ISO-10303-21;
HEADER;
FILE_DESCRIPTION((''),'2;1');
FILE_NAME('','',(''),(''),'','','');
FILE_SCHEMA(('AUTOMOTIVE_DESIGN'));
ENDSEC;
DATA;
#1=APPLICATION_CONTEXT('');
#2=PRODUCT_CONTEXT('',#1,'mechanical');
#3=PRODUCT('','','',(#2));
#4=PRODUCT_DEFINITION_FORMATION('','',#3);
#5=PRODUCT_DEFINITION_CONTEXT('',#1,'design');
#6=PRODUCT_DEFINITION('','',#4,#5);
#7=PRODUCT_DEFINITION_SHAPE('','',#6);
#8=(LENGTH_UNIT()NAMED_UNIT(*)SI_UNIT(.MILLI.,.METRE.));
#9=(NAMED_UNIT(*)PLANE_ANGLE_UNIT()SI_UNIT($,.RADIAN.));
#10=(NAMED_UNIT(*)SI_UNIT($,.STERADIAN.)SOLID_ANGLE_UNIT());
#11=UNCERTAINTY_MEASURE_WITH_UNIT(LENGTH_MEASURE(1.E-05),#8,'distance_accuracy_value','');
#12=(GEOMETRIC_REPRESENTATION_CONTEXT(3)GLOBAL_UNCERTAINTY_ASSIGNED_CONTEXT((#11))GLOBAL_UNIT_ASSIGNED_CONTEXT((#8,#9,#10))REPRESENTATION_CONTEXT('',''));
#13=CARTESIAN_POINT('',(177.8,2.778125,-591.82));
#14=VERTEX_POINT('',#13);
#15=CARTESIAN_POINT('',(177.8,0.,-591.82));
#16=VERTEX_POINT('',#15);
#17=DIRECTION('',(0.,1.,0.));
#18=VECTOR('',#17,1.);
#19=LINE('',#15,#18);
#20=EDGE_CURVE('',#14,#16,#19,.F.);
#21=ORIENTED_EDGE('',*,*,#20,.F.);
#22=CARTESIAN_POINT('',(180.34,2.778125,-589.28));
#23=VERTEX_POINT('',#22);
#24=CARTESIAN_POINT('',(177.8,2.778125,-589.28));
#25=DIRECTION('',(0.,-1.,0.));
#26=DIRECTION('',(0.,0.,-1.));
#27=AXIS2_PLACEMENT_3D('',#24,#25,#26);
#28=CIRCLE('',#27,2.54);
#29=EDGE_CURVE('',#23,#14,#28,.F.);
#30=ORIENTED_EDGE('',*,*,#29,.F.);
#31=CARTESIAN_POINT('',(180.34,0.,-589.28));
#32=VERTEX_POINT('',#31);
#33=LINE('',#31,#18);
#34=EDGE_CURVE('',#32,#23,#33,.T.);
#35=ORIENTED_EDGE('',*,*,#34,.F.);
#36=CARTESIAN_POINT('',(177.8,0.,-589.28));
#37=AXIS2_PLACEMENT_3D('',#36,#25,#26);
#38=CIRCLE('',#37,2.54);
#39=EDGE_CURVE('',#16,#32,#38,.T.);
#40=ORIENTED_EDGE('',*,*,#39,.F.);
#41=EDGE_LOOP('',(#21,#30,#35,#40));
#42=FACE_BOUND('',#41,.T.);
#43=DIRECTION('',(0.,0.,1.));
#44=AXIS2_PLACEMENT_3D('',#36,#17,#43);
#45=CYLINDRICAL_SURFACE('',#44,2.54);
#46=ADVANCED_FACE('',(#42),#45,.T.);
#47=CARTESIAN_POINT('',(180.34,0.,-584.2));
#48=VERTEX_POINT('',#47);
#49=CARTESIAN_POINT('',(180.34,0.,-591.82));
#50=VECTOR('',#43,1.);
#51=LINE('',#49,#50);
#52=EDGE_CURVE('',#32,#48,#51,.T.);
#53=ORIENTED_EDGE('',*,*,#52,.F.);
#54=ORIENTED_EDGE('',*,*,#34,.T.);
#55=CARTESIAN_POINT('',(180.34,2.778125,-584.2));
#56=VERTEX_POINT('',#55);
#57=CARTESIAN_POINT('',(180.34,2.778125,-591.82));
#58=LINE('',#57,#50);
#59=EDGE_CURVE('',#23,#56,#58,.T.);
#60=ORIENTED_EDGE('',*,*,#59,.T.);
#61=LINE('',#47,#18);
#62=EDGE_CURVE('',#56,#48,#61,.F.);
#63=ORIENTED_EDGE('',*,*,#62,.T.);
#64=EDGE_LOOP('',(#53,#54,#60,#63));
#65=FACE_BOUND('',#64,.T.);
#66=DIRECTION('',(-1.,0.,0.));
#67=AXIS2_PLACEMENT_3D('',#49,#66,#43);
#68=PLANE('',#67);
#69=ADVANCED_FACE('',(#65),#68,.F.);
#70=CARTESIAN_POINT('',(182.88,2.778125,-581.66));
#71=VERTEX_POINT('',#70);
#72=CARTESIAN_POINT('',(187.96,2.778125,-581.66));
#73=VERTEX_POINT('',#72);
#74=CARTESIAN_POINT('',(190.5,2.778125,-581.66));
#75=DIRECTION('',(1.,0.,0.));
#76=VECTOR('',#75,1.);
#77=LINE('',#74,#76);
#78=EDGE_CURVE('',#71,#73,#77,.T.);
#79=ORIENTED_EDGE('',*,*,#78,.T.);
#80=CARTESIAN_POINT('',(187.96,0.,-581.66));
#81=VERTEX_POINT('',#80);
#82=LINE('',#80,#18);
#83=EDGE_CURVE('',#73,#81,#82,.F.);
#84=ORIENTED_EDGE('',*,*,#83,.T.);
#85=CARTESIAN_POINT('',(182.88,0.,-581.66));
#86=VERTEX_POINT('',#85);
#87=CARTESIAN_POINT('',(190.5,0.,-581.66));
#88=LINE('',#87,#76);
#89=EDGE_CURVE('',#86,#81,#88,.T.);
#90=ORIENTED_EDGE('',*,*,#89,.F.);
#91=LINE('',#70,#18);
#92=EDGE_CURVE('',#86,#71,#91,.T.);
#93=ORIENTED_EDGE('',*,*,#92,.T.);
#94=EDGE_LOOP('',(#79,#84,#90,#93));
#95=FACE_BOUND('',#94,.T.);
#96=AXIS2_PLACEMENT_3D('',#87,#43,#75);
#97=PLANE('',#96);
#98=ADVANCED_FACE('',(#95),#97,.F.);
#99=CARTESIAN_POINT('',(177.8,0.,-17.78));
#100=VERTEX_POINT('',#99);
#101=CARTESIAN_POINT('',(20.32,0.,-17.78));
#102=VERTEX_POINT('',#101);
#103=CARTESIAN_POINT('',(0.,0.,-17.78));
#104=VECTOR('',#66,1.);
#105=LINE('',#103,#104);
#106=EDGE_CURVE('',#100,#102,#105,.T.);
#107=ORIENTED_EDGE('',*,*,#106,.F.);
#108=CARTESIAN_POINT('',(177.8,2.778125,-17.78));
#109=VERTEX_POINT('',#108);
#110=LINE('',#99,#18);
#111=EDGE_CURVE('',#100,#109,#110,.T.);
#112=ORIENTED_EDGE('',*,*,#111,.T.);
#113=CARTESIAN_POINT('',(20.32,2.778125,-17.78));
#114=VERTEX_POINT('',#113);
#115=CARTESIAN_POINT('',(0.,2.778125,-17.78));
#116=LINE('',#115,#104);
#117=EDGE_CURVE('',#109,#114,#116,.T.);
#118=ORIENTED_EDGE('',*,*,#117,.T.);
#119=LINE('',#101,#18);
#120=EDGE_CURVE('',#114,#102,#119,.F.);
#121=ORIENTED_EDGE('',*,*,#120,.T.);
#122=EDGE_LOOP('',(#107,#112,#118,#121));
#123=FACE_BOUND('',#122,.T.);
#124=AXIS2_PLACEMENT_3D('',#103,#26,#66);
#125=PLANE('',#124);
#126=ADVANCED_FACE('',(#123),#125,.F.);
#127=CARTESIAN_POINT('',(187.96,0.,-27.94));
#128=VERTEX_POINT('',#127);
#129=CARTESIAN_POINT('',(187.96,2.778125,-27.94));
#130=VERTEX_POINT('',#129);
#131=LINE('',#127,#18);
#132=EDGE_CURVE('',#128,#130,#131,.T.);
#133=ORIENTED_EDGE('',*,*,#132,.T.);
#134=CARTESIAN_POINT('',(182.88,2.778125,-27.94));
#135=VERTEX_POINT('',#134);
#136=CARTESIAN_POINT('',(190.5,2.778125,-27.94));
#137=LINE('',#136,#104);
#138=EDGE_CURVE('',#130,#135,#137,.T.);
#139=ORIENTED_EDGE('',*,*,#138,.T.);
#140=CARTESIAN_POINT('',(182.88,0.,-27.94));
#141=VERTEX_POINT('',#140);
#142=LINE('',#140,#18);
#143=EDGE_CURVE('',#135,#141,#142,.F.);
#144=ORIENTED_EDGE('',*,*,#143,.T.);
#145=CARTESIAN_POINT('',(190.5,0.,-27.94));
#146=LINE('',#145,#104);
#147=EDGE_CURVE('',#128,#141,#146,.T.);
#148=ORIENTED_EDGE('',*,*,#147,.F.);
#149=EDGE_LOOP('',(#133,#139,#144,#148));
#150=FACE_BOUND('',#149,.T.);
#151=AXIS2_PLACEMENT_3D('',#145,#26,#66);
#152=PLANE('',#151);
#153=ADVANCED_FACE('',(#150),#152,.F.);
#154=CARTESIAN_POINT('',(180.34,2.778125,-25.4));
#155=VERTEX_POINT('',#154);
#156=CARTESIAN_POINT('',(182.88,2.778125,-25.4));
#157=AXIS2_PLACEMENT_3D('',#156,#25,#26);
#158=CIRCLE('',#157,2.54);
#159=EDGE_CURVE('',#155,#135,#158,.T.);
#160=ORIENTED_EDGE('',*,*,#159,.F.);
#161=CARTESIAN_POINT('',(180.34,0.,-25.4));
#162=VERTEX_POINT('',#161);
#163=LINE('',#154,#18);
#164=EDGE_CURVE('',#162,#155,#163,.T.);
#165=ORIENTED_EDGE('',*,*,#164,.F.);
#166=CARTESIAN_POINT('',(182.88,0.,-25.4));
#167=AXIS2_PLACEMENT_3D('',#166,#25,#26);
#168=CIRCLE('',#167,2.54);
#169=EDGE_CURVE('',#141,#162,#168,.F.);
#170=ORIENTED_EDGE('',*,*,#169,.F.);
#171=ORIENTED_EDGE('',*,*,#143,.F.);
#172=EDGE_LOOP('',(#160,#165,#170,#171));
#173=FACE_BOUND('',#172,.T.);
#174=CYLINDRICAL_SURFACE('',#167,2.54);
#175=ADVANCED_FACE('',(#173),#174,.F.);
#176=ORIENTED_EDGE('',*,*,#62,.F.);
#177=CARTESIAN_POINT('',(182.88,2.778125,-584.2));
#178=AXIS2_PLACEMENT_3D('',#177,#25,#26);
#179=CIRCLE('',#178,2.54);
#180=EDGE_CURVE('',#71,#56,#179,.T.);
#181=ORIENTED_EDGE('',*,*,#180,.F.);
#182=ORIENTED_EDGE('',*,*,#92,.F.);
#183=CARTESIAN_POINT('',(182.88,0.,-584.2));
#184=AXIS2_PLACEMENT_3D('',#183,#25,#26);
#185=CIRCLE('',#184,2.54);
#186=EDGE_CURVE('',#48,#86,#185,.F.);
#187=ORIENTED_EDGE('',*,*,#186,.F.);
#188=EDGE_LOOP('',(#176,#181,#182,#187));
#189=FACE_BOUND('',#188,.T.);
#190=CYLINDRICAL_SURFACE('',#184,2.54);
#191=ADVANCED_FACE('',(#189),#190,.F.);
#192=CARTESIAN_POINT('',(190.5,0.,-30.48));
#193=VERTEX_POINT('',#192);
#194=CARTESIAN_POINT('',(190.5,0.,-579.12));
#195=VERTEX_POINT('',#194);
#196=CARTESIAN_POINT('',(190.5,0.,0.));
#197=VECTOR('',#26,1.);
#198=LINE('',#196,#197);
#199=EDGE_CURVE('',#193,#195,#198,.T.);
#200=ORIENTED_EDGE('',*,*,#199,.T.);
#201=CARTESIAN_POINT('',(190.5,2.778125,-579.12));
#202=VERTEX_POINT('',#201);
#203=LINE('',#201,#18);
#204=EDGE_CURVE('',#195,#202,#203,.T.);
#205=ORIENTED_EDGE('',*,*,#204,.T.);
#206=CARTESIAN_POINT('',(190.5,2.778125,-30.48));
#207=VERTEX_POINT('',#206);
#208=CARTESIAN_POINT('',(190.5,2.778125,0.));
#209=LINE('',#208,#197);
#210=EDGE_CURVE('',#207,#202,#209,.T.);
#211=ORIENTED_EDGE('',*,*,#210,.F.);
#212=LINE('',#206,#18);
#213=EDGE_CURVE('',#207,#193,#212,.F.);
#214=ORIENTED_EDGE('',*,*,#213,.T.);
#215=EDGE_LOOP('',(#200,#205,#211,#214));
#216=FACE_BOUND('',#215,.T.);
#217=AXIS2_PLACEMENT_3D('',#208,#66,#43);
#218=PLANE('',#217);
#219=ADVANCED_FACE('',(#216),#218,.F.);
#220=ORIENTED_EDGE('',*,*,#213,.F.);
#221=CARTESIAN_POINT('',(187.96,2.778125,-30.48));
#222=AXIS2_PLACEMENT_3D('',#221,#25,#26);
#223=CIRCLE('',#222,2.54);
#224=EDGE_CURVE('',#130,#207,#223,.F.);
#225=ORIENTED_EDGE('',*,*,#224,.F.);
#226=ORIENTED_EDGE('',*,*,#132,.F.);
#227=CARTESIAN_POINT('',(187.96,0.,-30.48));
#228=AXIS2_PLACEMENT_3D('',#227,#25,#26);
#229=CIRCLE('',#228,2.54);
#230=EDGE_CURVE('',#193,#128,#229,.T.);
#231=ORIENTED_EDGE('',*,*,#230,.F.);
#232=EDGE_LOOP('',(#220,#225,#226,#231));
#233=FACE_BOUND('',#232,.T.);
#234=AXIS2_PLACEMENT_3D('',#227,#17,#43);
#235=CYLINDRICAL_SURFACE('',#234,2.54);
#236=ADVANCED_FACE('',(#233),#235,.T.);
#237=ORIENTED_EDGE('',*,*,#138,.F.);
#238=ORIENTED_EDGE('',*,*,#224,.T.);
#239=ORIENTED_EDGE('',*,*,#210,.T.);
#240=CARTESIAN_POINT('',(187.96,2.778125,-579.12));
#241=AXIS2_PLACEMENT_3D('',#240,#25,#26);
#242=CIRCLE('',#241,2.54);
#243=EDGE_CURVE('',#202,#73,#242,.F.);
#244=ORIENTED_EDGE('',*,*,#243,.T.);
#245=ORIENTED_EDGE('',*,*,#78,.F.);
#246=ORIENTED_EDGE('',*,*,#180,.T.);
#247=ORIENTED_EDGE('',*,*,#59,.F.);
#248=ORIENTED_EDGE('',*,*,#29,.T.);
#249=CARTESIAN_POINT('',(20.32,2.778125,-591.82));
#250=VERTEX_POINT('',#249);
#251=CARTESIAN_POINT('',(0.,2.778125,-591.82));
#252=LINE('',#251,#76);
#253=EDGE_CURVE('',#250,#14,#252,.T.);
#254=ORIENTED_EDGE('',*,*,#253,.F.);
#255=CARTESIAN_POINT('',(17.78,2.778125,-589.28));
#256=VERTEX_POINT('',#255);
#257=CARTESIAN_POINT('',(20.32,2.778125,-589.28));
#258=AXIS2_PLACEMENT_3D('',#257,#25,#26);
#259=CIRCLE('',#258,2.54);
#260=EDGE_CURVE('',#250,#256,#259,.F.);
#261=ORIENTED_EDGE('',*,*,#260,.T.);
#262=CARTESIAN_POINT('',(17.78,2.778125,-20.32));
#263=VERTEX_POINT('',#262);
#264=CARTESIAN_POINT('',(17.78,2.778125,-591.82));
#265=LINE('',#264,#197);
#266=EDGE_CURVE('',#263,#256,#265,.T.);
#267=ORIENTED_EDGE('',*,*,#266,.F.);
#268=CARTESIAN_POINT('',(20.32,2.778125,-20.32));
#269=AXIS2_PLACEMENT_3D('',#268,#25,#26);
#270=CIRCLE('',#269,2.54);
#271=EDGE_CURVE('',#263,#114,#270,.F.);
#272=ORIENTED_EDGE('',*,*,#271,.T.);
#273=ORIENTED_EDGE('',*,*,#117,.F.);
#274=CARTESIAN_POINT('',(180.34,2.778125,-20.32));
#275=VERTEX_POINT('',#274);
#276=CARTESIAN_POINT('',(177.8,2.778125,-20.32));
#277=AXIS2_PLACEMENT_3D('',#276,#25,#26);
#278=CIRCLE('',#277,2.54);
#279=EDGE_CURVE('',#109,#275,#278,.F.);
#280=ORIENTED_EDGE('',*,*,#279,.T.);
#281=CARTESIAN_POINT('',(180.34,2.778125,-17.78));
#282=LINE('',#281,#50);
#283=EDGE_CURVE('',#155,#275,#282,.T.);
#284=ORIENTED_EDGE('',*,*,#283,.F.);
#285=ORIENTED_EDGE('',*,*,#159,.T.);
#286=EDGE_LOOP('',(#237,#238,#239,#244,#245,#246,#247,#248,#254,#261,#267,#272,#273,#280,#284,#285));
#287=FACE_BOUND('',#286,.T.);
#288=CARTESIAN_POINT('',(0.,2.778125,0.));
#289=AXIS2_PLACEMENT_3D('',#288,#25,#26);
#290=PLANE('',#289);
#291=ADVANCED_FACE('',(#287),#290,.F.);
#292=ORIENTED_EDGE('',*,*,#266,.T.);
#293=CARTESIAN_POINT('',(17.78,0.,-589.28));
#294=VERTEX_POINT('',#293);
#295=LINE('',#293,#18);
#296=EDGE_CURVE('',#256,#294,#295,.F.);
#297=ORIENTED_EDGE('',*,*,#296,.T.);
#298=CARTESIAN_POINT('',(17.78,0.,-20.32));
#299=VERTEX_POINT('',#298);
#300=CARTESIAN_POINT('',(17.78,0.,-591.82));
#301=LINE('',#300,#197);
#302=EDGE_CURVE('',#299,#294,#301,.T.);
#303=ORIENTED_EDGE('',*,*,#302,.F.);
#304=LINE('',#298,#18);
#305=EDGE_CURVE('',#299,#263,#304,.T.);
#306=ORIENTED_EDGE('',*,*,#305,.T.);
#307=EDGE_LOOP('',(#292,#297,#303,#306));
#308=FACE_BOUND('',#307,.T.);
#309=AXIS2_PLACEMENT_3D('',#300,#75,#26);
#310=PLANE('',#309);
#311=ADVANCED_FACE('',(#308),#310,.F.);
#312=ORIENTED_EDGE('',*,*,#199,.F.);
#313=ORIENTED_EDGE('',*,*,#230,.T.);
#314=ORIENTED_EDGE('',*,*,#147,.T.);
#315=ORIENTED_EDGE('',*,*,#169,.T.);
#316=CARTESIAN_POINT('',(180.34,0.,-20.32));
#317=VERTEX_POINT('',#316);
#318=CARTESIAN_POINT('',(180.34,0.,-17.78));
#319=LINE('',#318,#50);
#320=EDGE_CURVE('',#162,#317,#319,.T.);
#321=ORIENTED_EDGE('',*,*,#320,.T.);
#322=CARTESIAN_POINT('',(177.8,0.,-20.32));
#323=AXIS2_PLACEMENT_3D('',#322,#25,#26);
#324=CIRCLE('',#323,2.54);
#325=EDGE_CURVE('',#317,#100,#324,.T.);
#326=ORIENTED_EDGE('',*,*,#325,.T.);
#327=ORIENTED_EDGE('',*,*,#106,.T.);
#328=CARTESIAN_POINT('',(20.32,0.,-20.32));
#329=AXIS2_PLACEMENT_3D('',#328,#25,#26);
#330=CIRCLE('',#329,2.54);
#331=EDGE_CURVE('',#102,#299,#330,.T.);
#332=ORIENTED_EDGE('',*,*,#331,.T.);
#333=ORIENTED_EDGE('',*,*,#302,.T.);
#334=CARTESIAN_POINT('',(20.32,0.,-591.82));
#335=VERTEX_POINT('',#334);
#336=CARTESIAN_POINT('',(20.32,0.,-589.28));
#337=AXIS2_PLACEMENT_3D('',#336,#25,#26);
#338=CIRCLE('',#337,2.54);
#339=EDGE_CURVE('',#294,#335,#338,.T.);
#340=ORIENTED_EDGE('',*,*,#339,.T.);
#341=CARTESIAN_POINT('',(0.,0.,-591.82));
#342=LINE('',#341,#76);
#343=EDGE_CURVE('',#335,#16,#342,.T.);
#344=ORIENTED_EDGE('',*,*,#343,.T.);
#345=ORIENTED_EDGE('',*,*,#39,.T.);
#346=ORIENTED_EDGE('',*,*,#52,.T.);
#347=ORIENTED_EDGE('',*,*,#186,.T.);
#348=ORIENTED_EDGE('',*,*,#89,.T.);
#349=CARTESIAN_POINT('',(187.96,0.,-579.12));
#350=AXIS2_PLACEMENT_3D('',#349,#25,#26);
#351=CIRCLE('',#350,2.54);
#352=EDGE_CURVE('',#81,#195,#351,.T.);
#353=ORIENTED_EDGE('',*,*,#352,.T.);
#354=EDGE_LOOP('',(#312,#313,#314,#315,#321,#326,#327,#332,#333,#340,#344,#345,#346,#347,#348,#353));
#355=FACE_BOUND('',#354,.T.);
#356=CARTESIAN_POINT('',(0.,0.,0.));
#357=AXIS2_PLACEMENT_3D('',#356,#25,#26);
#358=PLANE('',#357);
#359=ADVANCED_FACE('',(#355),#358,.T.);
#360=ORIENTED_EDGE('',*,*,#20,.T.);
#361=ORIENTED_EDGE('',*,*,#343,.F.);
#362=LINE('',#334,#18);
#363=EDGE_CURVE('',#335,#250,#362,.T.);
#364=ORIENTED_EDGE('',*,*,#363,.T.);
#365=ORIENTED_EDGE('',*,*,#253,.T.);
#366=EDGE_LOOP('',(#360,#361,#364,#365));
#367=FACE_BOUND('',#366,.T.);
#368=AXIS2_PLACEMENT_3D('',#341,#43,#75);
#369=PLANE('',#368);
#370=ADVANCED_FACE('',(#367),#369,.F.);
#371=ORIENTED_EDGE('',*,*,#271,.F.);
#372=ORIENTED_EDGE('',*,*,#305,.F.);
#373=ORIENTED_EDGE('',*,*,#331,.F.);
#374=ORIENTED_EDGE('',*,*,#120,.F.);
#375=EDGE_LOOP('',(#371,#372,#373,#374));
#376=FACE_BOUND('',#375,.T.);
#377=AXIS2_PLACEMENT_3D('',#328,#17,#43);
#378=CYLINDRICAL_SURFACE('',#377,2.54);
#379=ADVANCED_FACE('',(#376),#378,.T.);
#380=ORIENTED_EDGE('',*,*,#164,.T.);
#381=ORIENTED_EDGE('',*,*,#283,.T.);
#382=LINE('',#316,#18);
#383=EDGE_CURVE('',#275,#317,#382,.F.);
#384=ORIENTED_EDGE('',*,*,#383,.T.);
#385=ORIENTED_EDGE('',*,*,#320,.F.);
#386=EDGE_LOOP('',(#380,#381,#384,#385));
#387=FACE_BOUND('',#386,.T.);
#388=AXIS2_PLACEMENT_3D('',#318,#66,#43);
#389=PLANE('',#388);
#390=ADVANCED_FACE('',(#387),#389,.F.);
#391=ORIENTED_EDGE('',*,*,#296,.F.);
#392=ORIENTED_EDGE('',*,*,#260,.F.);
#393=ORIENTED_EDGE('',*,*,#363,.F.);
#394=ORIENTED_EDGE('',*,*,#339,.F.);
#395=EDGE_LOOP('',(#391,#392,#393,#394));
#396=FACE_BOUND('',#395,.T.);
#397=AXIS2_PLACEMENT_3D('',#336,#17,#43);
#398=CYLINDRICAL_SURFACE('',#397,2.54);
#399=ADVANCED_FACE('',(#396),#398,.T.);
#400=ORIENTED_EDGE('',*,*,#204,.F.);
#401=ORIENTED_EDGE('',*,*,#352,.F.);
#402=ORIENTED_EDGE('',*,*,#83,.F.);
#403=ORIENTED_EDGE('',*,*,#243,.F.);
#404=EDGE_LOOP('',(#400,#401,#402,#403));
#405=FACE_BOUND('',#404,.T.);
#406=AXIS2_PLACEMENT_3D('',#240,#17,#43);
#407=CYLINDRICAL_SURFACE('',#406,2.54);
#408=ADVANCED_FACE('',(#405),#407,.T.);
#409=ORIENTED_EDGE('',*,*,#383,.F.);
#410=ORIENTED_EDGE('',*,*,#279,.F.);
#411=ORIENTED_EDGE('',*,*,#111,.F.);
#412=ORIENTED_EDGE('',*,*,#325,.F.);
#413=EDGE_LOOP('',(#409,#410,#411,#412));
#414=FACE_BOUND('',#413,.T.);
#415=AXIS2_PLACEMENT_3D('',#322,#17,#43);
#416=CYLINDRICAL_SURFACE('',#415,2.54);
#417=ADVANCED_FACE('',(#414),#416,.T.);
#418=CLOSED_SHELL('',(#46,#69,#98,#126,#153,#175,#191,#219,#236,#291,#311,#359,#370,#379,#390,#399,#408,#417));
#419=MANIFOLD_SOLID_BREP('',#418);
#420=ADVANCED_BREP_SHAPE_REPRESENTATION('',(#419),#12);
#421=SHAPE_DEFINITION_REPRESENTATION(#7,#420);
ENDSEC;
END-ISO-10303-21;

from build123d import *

# Parameters (mm, degrees)
SKETCH1_W           = 190.5
SKETCH1_H           = 609.6
BOSS_EXTRUDE1_DEPTH = 2.778125
SKETCH2_W           = 190.5
SKETCH2_H           = 17.78
CUT_EXTRUDE1_DEPTH  = 3.778125
SKETCH3_W           = 17.78
SKETCH3_H           = 574.04
CUT_EXTRUDE2_DEPTH  = 3.778125
SKETCH4_W           = 10.16
SKETCH4_H           = 10.16
CUT_EXTRUDE3_DEPTH  = 3.778125
FILLET1_R           = 2.54


with BuildPart() as part:
    # Sketch1 → Boss-Extrude1 (new body)
    with BuildSketch(Plane(origin=(0, 0, 0), x_dir=(1, 0, 0), z_dir=(0, 1, 0))):
        with Locations((95.25, 304.8)):
            Rectangle(SKETCH1_W, SKETCH1_H)
    extrude(amount=BOSS_EXTRUDE1_DEPTH)

    # Sketch2 → Cut-Extrude1 (cut, through all)
    with BuildSketch(Plane(origin=(0, 2.778125, 0), x_dir=(1, 0, 0), z_dir=(0, 1, 0))):
        with Locations((95.25, 8.89)):
            Rectangle(SKETCH2_W, SKETCH2_H)
        with Locations((95.25, 600.71)):
            Rectangle(SKETCH2_W, SKETCH2_H)
    extrude(amount=-CUT_EXTRUDE1_DEPTH, mode=Mode.SUBTRACT)

    # Sketch3 → Cut-Extrude2 (cut, through all)
    with BuildSketch(Plane(origin=(0, 2.778125, 0), x_dir=(1, 0, 0), z_dir=(0, 1, 0))):
        with Locations((8.89, 304.8)):
            Rectangle(SKETCH3_W, SKETCH3_H)
    extrude(amount=-CUT_EXTRUDE2_DEPTH, mode=Mode.SUBTRACT)

    # Sketch4 → Cut-Extrude3 (cut, through all)
    with BuildSketch(Plane(origin=(0, 2.778125, 0), x_dir=(1, 0, 0), z_dir=(0, 1, 0))):
        with Locations((185.42, 586.74)):
            Rectangle(SKETCH4_W, SKETCH4_H)
        with Locations((185.42, 22.86)):
            Rectangle(SKETCH4_W, SKETCH4_H)
    extrude(amount=-CUT_EXTRUDE3_DEPTH, mode=Mode.SUBTRACT)

    # Fillet1
    fillet1_edges = [part.edges().sort_by_distance(p)[0] for p in [
        (17.78, 1.3890625, -591.82),
        (17.78, 1.3890625, -17.78),
        (190.5, 1.3890625, -581.66),
        (180.34, 1.3890625, -581.66),
        (180.34, 1.3890625, -591.82),
        (190.5, 1.3890625, -27.94),
        (180.34, 1.3890625, -17.78),
        (180.34, 1.3890625, -27.94),
    ]]
    fillet(fillet1_edges, radius=FILLET1_R)


solid = part.part
